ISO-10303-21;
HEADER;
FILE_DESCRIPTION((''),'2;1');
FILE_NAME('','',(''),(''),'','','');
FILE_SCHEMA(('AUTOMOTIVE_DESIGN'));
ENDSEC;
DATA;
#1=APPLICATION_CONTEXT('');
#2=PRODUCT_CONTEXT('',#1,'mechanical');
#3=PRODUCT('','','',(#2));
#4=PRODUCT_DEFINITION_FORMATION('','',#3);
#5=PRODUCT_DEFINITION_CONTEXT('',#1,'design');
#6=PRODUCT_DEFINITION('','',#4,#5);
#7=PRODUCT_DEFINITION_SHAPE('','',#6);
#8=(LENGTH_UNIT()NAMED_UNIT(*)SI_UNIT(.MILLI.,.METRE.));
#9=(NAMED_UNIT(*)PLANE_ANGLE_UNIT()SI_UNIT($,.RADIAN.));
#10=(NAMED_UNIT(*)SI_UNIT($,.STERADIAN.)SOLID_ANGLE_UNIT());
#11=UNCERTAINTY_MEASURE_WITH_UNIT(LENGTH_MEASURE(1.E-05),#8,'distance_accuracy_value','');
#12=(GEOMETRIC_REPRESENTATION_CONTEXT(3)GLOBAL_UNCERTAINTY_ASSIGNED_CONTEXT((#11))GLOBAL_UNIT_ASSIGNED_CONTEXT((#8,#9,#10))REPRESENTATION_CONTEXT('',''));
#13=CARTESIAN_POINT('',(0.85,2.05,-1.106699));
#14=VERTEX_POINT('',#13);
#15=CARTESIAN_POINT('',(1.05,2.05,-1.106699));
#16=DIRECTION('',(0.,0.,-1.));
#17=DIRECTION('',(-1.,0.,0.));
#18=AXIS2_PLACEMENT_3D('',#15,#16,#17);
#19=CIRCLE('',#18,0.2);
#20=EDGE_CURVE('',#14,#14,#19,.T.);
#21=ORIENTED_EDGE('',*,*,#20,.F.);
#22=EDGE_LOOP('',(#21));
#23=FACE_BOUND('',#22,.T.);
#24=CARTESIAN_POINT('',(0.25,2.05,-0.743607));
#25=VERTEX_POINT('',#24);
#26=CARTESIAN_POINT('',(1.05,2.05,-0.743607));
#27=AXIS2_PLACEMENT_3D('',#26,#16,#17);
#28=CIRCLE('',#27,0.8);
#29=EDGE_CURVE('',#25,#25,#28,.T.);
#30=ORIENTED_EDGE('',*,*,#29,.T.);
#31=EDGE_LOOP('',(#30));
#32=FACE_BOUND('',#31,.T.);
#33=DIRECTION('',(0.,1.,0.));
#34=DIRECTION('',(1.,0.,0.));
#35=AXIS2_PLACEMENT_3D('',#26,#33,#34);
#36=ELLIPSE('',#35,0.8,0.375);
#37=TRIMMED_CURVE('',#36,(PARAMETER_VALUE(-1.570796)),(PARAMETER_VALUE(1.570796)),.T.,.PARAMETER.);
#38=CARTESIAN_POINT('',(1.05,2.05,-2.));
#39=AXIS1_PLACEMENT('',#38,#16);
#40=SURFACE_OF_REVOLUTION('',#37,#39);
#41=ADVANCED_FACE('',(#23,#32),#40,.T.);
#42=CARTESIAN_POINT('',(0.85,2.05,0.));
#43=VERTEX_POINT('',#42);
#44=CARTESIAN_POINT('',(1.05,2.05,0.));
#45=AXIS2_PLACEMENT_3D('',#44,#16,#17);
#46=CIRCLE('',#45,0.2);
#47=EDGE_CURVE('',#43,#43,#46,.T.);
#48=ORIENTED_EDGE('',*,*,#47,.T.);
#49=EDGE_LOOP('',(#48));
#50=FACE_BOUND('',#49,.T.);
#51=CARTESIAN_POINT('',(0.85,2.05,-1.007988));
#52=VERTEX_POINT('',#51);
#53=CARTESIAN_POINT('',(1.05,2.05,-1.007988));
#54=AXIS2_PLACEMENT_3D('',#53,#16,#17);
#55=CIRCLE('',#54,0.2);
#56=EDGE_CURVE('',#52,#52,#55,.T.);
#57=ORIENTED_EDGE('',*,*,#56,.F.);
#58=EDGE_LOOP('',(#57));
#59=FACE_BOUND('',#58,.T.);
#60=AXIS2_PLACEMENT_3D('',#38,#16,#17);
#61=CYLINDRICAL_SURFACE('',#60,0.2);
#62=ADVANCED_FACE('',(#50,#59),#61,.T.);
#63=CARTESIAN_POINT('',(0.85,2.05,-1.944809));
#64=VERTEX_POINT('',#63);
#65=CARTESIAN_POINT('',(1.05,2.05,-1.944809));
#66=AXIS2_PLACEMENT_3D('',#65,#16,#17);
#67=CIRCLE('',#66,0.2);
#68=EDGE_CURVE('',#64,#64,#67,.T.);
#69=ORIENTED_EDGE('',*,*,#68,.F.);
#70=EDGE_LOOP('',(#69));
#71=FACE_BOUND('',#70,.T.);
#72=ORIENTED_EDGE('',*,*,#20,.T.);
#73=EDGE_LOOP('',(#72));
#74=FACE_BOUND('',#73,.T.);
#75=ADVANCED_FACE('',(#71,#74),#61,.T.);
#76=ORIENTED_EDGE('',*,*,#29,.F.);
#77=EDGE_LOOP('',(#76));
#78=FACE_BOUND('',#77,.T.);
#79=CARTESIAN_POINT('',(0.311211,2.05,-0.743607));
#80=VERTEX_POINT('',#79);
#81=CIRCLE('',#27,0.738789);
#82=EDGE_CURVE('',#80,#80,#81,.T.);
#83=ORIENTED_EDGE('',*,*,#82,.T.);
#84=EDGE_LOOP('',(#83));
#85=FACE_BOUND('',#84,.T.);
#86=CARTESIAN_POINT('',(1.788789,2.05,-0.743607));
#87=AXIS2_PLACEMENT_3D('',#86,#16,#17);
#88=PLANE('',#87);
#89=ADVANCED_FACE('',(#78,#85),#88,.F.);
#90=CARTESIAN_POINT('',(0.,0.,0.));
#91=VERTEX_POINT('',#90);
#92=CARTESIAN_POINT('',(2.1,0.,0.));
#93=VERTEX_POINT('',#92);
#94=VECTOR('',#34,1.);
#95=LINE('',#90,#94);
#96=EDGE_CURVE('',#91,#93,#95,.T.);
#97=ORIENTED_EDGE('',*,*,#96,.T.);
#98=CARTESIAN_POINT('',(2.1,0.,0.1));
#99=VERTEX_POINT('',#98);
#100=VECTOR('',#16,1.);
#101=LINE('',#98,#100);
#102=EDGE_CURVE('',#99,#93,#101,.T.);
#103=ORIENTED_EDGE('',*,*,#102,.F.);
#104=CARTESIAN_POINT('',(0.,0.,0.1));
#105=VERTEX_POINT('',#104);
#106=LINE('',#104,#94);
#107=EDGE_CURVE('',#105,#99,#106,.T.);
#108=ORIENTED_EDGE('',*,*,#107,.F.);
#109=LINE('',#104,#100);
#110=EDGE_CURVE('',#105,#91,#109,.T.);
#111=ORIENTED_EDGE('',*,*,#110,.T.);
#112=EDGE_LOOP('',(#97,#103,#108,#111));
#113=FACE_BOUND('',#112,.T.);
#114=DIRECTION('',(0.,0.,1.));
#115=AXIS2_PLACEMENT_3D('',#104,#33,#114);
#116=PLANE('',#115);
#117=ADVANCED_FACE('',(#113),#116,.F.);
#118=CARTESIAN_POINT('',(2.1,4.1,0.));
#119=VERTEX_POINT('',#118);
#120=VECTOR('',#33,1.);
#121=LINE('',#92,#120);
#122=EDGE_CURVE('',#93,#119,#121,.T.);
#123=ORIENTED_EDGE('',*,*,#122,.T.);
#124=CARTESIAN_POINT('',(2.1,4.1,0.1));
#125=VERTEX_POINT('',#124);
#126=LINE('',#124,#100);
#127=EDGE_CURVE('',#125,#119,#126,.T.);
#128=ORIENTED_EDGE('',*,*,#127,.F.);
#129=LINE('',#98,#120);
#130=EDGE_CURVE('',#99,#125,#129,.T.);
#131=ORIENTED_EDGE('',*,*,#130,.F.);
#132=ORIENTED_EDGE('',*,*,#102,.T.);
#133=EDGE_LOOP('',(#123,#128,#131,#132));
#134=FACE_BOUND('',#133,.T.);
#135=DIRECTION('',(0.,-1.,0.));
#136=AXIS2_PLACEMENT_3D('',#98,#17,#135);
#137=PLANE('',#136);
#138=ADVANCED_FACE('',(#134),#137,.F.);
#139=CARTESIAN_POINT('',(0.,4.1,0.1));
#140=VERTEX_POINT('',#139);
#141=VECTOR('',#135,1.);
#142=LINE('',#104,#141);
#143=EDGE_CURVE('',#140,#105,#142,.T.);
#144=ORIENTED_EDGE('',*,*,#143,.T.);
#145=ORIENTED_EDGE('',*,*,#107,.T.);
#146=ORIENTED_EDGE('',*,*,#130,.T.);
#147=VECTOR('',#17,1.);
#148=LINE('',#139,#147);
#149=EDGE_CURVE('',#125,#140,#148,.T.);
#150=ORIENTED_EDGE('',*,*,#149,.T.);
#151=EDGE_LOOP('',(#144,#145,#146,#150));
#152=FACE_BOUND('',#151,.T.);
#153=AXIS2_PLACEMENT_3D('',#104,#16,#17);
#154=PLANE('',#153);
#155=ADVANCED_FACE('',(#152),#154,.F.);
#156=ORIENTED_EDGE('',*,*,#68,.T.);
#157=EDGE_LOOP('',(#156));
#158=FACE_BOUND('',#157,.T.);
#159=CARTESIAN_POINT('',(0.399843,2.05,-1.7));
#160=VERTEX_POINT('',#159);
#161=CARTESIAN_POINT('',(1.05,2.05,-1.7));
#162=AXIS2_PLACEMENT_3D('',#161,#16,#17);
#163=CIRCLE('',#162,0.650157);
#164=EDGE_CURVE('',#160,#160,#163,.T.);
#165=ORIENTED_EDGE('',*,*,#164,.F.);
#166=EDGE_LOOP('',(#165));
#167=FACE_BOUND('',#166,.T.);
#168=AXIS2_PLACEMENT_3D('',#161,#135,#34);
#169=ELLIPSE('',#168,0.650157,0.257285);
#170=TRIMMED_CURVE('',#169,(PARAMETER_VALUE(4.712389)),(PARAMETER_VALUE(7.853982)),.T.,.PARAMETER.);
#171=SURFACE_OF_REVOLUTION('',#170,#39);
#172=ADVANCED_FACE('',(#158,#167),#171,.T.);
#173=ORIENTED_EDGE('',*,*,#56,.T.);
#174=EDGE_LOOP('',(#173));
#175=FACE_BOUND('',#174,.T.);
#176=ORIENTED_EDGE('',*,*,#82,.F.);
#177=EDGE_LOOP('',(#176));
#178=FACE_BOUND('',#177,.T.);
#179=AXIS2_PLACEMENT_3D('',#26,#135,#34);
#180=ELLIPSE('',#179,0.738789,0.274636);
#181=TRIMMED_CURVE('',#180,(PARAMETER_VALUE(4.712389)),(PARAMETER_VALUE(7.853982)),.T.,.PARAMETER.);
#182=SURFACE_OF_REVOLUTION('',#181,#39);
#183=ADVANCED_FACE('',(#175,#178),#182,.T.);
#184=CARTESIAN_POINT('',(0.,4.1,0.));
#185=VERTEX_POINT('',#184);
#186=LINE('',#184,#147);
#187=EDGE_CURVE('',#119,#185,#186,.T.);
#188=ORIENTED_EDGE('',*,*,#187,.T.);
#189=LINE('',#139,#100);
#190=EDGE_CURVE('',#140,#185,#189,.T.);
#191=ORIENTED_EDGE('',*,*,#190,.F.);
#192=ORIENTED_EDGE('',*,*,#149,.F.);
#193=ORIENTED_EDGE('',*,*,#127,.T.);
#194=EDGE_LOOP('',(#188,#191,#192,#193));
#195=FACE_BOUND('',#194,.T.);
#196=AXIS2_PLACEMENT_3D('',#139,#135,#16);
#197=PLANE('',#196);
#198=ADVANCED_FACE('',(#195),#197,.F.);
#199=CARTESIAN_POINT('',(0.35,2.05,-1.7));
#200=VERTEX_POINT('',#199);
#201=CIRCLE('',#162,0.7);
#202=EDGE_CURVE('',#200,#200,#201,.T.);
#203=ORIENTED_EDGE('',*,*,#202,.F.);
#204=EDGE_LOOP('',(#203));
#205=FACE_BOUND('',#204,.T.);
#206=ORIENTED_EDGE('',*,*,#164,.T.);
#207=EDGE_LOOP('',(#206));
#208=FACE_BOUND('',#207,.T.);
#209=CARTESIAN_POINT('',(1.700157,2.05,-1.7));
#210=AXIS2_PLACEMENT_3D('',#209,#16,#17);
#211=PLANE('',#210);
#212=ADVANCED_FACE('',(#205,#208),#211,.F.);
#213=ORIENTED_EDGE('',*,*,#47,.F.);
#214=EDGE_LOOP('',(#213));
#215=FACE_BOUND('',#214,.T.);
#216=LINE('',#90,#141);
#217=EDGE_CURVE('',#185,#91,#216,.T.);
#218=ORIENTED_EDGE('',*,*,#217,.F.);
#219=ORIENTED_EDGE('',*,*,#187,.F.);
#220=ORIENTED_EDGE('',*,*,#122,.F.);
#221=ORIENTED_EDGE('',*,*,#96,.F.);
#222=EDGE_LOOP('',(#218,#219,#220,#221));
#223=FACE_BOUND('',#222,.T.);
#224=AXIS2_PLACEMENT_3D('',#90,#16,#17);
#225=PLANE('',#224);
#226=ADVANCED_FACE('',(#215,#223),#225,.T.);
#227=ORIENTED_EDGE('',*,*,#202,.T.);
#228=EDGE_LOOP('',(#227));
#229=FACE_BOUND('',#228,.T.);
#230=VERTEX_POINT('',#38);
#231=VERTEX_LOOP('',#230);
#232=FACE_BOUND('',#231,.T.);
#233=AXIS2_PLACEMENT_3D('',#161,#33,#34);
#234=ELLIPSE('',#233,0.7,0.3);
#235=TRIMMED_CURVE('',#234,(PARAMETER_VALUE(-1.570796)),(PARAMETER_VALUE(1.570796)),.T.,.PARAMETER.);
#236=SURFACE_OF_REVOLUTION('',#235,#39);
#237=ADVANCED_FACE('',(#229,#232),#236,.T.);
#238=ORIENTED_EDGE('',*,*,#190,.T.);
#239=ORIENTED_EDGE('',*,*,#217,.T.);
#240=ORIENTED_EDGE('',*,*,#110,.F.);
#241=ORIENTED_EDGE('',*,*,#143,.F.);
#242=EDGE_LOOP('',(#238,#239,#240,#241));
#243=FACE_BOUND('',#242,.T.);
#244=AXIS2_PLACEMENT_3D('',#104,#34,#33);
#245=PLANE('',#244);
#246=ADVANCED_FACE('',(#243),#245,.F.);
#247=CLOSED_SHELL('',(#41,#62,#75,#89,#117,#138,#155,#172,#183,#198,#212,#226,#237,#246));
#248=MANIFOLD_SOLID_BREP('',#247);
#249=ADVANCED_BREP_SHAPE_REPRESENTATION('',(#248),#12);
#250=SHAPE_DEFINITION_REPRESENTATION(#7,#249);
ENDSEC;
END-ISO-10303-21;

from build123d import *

# Parameters (mm, degrees)
ESQUISSE1_W        = 2.1
ESQUISSE1_H        = 4.1
BOSS_EXTRU_1_DEPTH = 0.1


with BuildPart() as part:
    # Esquisse1 → Boss.-Extru.1 (new body)
    with BuildSketch(Plane.XY):
        with Locations((1.05, 2.05)):
            Rectangle(ESQUISSE1_W, ESQUISSE1_H)
    extrude(amount=BOSS_EXTRU_1_DEPTH)

    # Esquisse7 → Révolution1 (revolve)
    with BuildSketch(Plane(origin=(0, 2.05, 0), x_dir=(1, 0, 0), z_dir=(0, 1, 0)), mode=Mode.PRIVATE) as r_volution1_sk:
        with BuildLine():
            Line((1.25, 0.395972745), (1.25, 0))
            Line((1.25, 0), (1.05, 0))
            Line((1.05, 0), (1.05, 2))
            add(Edge.make_bspline(
                [(1.75, 1.7), (1.75, 2), (1.05, 2)],
                knots=[0, 0, 0, 1.570796327, 1.570796327, 1.570796327], degree=2, weights=[1, 0.707106781, 1]))
            Line((1.75, 1.7), (1.700157336, 1.7))
            add(Edge.make_bspline(
                [(1.700157336, 1.7), (1.700157336, 1.887217668), (1.25, 1.944809164)],
                knots=[0, 0, 0, 1.258107861, 1.258107861, 1.258107861], degree=2, weights=[1, 0.808584519, 1]))
            Line((1.25, 1.944809164), (1.25, 1.402758989))
            Line((1.25, 1.402758989), (1.25, 1.106699238))
            add(Edge.make_bspline(
                [(1.85, 0.743607049), (1.85, 1.0340808), (1.25, 1.106699238)],
                knots=[0, 0, 0, 1.318116072, 1.318116072, 1.318116072], degree=2, weights=[1, 0.790569415, 1]))
            Line((1.85, 0.743607049), (1.788788917, 0.743607049))
            add(Edge.make_bspline(
                [(1.788788917, 0.743607049), (1.788788917, 0.951664265), (1.25, 1.007988124)],
                knots=[0, 0, 0, 1.296662385, 1.296662385, 1.296662385], degree=2, weights=[1, 0.797092629, 1]))
            Line((1.25, 1.007988124), (1.25, 0.395972745))
        make_face()
    revolve(r_volution1_sk.sketch.rotate(Axis((1.05, 2.05, -2), (0, 0, 1)), 180), axis=Axis((1.05, 2.05, -2), (0, 0, 1)))


solid = part.part
